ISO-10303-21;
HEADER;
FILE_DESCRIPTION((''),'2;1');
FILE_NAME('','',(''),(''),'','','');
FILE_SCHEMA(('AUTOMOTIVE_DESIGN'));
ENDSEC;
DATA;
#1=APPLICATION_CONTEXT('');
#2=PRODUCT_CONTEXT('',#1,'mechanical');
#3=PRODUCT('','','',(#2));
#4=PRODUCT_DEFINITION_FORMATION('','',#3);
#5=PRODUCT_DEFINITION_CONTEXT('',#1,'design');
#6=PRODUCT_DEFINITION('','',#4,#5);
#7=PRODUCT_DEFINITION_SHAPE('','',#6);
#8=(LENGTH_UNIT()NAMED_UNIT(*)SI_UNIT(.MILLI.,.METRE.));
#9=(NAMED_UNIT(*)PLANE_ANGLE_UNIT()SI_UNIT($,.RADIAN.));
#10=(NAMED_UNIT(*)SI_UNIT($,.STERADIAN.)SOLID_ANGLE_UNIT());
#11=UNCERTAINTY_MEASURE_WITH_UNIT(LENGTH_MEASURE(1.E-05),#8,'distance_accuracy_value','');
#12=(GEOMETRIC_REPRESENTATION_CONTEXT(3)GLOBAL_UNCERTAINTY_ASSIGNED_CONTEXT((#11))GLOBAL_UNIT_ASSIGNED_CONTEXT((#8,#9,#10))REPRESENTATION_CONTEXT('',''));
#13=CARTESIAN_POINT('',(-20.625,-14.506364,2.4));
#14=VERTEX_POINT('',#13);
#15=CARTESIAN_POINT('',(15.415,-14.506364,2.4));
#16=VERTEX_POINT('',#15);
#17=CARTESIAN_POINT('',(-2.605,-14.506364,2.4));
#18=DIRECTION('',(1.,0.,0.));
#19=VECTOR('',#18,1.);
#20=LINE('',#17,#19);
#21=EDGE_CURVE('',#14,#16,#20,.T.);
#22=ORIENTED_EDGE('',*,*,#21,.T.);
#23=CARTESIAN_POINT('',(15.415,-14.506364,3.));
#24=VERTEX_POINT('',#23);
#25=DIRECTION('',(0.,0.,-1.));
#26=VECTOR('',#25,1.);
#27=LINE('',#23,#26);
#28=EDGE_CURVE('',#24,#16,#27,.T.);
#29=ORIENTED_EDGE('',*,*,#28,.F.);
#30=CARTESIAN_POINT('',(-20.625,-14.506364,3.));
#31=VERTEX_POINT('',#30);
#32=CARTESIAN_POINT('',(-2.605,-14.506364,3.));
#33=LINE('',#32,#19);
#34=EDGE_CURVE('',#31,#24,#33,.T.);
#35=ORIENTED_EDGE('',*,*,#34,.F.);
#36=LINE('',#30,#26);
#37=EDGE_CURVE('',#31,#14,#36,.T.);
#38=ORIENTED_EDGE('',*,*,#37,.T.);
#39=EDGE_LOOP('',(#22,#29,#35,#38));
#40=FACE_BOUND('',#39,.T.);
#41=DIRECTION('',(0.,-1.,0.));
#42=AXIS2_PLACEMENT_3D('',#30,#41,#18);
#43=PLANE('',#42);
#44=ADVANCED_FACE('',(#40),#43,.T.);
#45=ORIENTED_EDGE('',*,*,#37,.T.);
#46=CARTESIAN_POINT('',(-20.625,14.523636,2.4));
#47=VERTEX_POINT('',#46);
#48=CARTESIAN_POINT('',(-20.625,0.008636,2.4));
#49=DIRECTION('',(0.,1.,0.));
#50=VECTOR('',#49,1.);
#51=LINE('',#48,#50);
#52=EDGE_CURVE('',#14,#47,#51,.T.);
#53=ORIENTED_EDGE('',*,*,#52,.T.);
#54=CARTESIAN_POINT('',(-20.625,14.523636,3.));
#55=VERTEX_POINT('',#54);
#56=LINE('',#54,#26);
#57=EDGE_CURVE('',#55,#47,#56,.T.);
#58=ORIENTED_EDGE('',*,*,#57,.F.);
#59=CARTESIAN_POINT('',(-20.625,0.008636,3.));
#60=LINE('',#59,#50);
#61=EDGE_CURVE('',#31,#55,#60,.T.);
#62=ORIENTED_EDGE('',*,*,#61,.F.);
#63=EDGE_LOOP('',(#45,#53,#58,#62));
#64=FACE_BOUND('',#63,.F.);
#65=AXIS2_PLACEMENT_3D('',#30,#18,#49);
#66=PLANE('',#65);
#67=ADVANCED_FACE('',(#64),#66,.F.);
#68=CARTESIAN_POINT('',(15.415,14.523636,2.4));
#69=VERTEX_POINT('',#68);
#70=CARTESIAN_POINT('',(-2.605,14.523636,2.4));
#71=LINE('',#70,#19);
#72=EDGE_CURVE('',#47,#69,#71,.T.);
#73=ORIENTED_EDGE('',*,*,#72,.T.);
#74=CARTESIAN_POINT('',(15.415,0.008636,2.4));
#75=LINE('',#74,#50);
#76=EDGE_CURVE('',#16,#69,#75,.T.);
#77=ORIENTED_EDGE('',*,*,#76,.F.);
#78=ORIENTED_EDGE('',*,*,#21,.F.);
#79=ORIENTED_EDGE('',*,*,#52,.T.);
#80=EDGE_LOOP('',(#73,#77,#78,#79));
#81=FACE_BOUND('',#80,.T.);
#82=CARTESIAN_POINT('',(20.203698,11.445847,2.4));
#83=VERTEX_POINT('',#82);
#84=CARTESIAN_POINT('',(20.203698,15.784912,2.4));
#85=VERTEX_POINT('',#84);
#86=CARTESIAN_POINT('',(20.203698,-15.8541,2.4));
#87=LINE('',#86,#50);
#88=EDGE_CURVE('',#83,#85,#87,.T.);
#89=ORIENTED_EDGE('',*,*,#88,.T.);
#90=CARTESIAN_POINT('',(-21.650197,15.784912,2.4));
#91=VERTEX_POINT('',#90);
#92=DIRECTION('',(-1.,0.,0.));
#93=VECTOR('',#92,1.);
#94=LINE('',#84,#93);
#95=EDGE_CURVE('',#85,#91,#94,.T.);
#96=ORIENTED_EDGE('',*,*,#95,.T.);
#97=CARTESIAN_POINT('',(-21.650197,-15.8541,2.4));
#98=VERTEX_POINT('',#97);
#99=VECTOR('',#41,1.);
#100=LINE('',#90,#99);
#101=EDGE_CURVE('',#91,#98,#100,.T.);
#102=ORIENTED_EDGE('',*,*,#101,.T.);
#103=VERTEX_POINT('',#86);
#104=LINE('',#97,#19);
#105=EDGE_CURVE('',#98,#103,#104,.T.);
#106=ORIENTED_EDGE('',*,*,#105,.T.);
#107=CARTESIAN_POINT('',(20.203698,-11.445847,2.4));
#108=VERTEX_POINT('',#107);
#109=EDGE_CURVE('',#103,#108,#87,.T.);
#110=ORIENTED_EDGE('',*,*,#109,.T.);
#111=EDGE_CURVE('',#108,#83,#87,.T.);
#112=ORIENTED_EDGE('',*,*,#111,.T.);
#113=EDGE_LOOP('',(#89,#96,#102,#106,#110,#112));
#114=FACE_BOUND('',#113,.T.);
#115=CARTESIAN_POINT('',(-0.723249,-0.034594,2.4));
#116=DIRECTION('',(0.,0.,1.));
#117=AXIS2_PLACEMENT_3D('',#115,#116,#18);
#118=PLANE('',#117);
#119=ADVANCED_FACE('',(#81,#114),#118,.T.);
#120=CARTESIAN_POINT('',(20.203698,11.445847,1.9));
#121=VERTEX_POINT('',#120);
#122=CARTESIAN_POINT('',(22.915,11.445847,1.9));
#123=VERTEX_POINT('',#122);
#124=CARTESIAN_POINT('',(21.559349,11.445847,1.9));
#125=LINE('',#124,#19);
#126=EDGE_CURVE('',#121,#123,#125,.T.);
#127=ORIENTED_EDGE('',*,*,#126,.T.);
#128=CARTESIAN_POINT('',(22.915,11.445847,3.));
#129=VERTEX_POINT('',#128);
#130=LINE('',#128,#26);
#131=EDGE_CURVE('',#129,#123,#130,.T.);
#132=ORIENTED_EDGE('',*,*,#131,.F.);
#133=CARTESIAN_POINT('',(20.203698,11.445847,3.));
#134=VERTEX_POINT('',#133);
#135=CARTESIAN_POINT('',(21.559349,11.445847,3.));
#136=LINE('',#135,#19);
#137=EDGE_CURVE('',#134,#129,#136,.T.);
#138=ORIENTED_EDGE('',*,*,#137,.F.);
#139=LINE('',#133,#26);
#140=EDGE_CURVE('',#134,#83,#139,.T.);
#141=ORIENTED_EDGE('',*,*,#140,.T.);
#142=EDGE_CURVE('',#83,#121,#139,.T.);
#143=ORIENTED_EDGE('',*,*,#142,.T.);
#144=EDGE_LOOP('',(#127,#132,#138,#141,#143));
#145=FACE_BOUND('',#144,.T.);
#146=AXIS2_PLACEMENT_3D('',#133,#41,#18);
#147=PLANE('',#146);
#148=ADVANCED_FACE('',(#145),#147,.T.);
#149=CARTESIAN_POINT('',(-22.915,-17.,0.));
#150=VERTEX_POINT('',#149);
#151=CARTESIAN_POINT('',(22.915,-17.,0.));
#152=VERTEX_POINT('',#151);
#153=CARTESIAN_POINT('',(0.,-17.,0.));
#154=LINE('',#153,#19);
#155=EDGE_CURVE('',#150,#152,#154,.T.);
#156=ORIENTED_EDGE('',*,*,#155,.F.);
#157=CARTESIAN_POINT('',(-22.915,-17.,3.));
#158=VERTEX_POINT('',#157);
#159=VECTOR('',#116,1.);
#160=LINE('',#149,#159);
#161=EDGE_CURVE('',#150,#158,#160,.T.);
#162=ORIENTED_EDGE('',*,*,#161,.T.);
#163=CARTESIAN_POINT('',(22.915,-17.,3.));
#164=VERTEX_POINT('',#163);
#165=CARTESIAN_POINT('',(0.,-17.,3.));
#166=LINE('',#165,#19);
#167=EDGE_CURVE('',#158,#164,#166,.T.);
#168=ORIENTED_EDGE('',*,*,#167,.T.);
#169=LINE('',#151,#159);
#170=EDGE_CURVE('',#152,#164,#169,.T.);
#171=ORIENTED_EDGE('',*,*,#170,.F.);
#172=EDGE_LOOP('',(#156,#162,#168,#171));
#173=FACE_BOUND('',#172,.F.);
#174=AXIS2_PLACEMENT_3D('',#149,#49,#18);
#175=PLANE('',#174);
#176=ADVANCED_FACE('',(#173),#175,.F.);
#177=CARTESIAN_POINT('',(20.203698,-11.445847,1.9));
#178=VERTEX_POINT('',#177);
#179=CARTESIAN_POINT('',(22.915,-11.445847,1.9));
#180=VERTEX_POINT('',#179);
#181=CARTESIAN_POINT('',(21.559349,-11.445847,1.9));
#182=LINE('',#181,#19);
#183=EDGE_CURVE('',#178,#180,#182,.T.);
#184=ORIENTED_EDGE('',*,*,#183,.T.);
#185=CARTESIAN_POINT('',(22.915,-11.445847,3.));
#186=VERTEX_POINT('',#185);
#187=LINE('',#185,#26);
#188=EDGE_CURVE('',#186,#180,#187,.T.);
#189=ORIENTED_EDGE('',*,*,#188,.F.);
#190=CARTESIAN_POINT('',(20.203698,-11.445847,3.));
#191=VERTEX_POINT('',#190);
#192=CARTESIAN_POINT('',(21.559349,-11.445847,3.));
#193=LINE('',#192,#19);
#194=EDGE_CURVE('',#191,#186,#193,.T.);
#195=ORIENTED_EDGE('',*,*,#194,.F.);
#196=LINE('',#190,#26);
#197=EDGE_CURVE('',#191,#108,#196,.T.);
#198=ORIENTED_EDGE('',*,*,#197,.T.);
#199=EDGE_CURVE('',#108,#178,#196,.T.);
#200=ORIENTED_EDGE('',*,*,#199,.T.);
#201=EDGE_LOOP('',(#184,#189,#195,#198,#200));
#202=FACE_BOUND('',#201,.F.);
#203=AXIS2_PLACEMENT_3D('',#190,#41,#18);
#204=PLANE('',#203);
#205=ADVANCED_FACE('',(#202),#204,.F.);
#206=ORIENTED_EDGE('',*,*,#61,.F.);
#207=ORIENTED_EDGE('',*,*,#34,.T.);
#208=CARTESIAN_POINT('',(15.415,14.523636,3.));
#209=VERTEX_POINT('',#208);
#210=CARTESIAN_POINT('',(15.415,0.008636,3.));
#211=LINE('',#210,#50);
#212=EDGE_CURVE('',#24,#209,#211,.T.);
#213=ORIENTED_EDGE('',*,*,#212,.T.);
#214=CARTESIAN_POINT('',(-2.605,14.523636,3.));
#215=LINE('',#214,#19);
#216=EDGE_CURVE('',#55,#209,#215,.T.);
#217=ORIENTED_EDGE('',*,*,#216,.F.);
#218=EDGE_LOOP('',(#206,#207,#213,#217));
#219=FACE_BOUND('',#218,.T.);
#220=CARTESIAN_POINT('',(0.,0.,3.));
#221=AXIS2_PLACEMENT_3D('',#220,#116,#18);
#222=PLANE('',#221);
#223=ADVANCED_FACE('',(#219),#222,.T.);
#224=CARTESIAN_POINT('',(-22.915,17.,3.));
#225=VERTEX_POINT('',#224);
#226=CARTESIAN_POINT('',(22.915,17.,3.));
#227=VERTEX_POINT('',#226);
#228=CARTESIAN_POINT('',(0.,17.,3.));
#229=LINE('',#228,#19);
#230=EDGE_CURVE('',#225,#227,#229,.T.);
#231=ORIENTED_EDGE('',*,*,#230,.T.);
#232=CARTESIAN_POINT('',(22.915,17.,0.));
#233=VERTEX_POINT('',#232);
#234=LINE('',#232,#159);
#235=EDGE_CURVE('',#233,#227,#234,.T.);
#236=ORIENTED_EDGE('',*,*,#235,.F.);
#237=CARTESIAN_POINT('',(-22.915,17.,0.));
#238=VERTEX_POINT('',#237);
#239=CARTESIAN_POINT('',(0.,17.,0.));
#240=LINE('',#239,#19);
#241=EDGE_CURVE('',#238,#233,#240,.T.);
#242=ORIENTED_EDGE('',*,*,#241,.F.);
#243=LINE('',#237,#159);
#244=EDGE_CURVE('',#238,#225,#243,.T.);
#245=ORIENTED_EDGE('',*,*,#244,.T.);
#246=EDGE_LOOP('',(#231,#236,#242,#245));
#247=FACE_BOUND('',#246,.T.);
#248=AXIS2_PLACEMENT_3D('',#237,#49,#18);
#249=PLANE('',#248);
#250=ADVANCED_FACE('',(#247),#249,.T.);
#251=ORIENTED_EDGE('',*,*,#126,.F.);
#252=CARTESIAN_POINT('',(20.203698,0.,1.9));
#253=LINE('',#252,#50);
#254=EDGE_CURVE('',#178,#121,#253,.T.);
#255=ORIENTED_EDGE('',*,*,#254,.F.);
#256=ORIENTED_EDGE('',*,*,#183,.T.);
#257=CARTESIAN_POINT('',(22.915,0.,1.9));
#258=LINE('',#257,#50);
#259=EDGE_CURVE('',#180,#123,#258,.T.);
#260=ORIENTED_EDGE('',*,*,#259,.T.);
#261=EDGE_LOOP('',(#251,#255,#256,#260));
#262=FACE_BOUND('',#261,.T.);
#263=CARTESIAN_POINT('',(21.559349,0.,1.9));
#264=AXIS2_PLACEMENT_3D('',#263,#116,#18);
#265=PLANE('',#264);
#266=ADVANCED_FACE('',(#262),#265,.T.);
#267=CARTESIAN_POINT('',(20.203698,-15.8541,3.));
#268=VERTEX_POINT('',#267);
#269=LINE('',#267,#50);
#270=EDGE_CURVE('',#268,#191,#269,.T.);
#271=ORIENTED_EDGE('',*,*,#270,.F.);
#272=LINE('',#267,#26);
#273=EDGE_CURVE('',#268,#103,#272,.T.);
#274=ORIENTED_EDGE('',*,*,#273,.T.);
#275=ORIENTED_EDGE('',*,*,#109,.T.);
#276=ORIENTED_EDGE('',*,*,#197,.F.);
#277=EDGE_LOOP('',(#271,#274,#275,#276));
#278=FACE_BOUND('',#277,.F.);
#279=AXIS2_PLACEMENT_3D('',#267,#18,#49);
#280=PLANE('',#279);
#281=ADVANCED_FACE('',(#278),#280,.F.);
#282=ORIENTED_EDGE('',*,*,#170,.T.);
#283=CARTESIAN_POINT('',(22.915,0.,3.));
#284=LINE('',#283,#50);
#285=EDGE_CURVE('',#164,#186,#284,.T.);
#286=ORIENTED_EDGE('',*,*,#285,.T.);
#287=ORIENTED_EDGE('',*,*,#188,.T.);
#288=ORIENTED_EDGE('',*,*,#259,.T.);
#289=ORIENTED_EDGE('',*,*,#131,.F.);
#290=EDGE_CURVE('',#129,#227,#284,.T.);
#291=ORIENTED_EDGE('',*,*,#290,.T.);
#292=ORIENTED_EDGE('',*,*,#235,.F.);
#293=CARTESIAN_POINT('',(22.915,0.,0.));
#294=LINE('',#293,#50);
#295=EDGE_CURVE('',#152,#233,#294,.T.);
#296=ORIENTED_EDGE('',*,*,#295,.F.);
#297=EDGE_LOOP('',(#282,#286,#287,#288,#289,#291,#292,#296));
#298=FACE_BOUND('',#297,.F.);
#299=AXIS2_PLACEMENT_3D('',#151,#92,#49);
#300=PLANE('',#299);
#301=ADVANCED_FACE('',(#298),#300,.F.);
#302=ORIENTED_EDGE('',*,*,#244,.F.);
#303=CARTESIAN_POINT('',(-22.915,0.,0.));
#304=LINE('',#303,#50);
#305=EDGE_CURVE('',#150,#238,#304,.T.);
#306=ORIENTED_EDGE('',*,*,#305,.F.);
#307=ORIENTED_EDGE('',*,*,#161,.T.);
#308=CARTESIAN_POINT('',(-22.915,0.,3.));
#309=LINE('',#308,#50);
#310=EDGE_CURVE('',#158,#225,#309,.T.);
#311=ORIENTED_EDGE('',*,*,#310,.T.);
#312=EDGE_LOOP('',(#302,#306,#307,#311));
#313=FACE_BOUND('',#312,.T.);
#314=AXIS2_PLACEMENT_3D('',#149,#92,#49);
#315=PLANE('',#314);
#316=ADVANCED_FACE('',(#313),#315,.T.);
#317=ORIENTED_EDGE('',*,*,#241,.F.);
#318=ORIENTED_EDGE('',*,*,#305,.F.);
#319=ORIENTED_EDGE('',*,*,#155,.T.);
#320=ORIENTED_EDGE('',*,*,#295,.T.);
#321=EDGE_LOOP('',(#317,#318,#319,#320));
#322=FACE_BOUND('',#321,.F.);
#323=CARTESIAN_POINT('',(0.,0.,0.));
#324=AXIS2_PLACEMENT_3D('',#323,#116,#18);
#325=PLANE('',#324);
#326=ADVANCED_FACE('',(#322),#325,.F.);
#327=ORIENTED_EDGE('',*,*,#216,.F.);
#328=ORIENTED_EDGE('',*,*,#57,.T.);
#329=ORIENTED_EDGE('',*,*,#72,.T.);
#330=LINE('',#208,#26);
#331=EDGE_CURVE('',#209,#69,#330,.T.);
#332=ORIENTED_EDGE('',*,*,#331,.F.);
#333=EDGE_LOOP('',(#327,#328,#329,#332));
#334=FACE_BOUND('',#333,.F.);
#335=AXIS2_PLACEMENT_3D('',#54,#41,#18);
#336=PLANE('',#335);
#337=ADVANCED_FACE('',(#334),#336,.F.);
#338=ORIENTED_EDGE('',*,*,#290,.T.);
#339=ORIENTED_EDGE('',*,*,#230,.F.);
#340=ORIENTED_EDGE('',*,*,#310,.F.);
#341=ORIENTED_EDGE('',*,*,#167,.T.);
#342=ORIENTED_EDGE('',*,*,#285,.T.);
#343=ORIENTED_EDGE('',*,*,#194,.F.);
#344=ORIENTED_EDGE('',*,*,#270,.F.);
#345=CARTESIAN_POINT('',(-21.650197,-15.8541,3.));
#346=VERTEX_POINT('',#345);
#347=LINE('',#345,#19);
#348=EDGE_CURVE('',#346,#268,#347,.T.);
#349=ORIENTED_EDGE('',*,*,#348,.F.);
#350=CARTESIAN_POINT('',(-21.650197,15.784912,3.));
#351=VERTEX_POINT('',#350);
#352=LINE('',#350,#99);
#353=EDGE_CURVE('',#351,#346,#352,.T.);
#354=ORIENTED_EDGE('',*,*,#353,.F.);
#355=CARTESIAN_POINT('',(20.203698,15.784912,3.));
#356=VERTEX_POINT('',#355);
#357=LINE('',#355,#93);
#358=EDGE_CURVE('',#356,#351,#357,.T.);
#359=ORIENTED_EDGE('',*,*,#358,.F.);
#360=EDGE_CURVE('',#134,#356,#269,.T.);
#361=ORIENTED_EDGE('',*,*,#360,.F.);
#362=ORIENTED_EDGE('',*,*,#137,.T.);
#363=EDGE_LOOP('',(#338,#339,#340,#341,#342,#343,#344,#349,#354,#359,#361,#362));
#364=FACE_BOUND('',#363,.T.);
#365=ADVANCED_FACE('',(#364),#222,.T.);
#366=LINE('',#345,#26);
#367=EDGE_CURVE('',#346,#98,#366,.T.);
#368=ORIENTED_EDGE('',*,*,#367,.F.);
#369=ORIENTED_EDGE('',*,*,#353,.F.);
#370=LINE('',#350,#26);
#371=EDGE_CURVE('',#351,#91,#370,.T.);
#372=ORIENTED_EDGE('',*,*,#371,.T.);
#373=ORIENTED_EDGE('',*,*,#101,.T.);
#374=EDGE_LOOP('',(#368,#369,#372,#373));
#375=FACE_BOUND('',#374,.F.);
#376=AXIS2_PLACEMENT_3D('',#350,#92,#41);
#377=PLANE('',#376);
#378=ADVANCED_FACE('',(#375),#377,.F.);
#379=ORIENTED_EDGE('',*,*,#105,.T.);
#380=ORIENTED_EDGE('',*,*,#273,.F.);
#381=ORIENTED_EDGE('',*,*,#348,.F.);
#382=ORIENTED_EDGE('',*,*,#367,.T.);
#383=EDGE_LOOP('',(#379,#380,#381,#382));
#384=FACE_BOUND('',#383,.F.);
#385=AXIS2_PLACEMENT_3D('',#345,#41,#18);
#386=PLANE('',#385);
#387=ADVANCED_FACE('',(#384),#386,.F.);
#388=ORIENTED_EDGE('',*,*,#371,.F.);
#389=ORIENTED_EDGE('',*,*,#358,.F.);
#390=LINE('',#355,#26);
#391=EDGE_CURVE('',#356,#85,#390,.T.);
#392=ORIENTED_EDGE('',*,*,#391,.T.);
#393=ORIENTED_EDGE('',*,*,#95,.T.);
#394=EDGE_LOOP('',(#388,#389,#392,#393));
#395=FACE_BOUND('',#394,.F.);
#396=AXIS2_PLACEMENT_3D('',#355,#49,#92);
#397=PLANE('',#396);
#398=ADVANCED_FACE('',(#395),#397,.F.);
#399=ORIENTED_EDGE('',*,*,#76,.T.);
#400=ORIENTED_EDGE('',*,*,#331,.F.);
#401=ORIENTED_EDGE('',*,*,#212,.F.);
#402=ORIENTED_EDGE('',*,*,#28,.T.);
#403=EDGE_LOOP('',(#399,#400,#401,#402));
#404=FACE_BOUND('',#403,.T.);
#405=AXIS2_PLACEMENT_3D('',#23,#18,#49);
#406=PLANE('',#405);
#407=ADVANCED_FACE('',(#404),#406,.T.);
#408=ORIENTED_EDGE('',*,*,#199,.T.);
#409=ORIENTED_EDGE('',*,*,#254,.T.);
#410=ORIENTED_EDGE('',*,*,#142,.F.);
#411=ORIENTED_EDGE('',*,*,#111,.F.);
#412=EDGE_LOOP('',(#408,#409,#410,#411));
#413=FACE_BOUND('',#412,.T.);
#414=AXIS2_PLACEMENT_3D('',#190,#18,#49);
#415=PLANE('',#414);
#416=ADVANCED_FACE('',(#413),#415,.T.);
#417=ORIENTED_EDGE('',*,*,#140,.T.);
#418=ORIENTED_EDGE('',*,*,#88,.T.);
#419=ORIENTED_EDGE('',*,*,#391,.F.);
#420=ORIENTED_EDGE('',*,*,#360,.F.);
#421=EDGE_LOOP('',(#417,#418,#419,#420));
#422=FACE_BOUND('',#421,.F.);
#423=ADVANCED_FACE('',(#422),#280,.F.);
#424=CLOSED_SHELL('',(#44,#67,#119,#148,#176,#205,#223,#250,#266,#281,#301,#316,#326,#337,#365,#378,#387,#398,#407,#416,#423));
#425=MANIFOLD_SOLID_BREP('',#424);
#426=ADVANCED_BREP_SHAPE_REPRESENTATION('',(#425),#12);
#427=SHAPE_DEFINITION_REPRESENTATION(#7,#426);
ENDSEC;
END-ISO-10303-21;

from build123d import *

# Parameters (mm, degrees)
F0_W     = 45.83
F0_H     = 34
F1_DEPTH = 3
F2_W     = 36.04
F2_H     = 29.03
F3_DEPTH = 0.6
F2_W_2   = 2.711302
F2_H_2   = 22.891694
F4_DEPTH = 1.1


with BuildPart() as f1:
    # F0 (on Top) → F1 (new body)
    with BuildSketch(Plane.XY):
        Rectangle(F0_W, F0_H)
    extrude(amount=F1_DEPTH)

    # F2 (on face) → F3 (cut)
    with BuildSketch(Plane.XY.offset(3)):
        Polygon((20.203698, 15.784912), (-21.650197, 15.784912), (-21.650197, -15.8541), (20.203698, -15.8541), (20.203698, -11.445847), (20.203698, 11.445847), align=None)
        with Locations((-2.605, 0.008636)):
            Rectangle(F2_W, F2_H, mode=Mode.SUBTRACT)
    extrude(amount=-F3_DEPTH, mode=Mode.SUBTRACT)

    # F2 (on face) → F4 (cut)
    with BuildSketch(Plane.XY.offset(3)):
        with Locations((21.559349, 0)):
            Rectangle(F2_W_2, F2_H_2)
    extrude(amount=-F4_DEPTH, mode=Mode.SUBTRACT)


with BuildPart() as f5_1:
    # F5: copy of F1
    add(f1.part)


solid = f5_1.part
